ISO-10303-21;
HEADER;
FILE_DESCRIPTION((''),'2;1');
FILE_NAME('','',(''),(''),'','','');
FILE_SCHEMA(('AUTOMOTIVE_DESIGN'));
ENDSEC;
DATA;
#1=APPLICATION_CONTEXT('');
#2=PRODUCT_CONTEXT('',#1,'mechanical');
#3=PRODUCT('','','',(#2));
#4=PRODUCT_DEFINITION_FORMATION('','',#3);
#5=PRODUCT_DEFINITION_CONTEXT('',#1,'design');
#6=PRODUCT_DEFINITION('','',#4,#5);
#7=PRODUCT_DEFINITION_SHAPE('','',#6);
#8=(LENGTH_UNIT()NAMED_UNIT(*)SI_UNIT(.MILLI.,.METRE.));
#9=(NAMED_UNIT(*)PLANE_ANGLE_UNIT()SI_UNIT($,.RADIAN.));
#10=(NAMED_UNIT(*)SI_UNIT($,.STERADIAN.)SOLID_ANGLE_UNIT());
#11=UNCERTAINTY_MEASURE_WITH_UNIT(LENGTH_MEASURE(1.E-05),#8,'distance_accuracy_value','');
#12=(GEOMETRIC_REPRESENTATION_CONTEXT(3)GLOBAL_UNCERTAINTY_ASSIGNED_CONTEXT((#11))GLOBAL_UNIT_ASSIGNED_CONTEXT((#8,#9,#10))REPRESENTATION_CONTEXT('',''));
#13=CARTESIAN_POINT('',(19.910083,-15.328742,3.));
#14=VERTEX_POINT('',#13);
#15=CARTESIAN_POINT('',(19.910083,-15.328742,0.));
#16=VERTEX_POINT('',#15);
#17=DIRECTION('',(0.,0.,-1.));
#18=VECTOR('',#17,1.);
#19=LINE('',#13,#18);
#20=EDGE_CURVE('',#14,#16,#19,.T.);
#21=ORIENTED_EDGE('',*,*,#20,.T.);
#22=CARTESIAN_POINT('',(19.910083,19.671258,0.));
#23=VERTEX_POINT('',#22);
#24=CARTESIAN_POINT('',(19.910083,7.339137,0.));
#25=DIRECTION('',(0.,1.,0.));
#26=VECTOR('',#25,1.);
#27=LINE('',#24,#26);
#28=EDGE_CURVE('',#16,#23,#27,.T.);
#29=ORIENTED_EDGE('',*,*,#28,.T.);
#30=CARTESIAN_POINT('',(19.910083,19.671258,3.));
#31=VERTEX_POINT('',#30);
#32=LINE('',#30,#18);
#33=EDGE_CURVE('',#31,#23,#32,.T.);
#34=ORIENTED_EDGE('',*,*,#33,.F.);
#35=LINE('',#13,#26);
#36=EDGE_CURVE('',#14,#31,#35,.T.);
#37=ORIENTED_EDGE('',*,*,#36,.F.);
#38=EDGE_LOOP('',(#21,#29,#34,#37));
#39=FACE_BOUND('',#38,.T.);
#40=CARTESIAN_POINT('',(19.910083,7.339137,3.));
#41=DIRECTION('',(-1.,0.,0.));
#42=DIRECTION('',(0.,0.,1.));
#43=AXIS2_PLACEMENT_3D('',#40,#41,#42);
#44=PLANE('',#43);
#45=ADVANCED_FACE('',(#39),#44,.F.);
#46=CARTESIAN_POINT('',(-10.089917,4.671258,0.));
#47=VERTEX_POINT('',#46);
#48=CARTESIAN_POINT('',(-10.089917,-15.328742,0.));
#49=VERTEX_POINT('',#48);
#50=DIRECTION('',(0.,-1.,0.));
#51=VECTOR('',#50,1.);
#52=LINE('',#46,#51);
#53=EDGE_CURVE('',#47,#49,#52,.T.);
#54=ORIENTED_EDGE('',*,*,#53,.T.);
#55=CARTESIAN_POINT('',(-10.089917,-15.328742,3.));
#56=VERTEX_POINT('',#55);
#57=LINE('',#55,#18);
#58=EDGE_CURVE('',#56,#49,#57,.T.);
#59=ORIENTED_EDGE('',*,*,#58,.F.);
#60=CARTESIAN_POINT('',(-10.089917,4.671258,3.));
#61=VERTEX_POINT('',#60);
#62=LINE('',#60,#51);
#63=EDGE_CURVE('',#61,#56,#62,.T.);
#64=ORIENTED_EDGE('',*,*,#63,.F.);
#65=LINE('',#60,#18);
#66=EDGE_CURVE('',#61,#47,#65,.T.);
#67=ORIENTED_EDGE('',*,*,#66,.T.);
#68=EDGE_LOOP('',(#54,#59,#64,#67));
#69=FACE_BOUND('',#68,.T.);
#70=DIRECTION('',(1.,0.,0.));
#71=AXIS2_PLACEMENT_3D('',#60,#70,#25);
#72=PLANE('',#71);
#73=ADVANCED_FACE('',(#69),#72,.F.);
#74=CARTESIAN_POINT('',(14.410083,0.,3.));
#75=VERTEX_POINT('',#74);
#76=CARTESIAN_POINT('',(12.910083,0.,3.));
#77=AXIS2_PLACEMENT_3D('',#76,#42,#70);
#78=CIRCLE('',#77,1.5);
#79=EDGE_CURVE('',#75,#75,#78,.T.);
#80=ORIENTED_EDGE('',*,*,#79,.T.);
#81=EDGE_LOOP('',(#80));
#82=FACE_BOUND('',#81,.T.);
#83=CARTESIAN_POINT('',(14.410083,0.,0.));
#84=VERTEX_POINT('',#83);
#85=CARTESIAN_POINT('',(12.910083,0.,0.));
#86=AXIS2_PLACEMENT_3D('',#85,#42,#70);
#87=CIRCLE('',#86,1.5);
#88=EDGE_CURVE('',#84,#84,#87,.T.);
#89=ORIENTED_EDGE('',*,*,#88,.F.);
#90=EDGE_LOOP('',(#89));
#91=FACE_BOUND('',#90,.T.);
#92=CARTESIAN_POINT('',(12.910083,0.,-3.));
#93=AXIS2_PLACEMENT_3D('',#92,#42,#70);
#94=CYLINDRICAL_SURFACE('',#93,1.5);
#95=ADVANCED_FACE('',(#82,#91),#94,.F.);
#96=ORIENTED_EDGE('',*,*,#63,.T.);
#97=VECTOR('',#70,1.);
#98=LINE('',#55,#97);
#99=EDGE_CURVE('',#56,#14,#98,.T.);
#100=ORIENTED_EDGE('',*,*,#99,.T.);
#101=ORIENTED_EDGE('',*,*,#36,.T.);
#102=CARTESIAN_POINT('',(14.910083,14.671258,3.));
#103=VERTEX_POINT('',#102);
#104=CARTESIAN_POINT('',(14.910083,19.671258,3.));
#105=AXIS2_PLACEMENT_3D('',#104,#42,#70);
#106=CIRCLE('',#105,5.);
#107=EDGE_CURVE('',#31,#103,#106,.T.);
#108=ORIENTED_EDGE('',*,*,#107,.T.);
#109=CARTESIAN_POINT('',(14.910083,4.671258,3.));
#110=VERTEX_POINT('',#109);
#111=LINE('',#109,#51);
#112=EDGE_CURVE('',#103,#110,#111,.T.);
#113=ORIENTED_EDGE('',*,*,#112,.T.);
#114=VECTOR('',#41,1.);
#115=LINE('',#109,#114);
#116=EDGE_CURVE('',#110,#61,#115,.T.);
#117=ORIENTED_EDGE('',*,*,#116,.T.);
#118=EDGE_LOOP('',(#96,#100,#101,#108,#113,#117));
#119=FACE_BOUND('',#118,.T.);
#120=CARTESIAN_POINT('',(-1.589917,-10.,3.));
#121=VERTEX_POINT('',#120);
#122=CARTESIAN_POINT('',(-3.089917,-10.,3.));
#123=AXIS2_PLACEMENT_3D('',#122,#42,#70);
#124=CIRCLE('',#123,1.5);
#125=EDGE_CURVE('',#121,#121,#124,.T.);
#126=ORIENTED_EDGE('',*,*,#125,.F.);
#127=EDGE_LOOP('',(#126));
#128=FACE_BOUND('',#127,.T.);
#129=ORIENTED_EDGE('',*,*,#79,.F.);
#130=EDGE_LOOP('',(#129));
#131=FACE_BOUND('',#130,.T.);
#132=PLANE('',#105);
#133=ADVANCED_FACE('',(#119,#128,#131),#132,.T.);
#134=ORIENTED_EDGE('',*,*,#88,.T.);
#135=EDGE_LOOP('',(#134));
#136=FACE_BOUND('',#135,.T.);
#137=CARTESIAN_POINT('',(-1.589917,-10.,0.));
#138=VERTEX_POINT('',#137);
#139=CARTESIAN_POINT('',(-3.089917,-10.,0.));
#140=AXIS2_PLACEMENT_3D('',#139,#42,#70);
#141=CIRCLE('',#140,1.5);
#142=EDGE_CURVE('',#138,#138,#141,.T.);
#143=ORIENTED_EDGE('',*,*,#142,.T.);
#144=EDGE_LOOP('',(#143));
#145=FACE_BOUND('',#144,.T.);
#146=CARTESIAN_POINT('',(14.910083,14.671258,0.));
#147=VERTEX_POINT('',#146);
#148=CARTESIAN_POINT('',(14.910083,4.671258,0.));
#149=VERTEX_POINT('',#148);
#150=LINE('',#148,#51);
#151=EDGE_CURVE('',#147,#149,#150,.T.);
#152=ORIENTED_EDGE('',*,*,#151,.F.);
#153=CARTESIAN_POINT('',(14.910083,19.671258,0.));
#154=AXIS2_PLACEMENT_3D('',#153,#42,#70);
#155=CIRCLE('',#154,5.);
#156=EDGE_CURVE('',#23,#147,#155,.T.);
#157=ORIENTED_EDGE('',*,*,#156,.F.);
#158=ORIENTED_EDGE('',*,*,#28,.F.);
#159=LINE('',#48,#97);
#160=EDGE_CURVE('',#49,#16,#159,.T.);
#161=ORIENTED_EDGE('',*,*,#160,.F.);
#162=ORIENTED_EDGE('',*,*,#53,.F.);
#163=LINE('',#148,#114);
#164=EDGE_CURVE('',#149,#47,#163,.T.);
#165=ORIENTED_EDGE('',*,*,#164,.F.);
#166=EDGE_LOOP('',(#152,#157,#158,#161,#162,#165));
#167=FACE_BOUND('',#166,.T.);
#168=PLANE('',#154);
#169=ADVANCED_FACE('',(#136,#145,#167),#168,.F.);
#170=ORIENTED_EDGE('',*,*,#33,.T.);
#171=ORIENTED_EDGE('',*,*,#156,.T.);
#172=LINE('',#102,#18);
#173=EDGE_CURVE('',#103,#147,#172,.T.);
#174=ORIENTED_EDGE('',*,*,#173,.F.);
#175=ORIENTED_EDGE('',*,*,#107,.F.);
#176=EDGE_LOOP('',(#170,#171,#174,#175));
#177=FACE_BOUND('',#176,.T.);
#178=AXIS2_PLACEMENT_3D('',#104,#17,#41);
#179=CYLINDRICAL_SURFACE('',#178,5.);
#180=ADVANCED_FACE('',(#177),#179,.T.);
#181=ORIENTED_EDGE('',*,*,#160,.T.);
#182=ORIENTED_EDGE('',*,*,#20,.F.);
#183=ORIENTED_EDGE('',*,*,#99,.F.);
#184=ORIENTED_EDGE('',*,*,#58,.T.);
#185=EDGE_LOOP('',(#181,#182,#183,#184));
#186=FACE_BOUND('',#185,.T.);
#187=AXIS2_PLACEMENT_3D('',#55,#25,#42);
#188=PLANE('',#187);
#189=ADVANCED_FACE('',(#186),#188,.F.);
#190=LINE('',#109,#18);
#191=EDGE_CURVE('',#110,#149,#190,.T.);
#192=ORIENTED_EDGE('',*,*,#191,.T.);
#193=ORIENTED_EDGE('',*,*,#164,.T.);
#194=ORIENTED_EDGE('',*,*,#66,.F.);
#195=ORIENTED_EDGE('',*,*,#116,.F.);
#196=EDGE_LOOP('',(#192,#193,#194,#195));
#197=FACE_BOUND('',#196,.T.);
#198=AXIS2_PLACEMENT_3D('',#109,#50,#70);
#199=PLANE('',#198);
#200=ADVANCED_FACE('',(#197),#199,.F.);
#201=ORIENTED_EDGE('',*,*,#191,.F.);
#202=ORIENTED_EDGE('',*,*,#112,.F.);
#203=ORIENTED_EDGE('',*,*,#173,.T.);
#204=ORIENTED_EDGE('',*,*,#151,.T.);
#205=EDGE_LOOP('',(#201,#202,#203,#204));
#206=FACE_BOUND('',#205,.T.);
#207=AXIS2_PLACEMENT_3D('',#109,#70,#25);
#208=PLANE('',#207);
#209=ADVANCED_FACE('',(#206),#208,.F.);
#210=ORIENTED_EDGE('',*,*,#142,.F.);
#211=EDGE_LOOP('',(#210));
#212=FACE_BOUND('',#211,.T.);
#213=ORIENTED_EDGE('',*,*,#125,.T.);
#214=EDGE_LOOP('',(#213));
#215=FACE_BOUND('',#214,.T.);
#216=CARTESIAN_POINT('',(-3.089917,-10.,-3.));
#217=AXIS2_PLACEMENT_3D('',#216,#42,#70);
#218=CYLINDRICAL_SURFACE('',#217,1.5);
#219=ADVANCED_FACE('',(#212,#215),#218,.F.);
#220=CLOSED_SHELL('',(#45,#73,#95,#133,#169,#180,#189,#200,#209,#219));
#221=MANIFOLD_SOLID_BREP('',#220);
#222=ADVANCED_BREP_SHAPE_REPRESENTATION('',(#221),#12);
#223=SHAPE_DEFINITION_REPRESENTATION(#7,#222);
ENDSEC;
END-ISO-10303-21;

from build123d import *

# Parameters (mm, degrees)
EXTRUDE_1_DEPTH     = 3
SKETCH_2_R          = 1.5
CUT_EXTRUDE_2_DEPTH = 6


with BuildPart() as part:
    # 草图1 → 凸台-拉伸1 (new body)
    with BuildSketch(Plane.XY):
        with BuildLine():
            Line((14.91008261, 4.671258051), (14.91008261, 14.671258051))
            ThreePointArc((14.91008261, 14.671258051), (11.374548704, 23.206791957), (19.91008261, 19.671258051))
            Line((19.91008261, 19.671258051), (19.91008261, 7.339136796))
            Line((19.91008261, 7.339136796), (19.91008261, -15.328741949))
            Line((19.91008261, -15.328741949), (-10.08991739, -15.328741949))
            Line((-10.08991739, -15.328741949), (-10.08991739, 4.671258051))
            Line((-10.08991739, 4.671258051), (14.91008261, 4.671258051))
        make_face()
    extrude(amount=EXTRUDE_1_DEPTH)

    # 草图2 → 切除-拉伸2 (cut)
    with BuildSketch(Plane.XY.offset(3)):
        with Locations((12.91008261, 0)):
            Circle(SKETCH_2_R)
        with Locations((-3.08991739, -10)):
            Circle(SKETCH_2_R)
    extrude(amount=-CUT_EXTRUDE_2_DEPTH, mode=Mode.SUBTRACT)


solid = part.part
